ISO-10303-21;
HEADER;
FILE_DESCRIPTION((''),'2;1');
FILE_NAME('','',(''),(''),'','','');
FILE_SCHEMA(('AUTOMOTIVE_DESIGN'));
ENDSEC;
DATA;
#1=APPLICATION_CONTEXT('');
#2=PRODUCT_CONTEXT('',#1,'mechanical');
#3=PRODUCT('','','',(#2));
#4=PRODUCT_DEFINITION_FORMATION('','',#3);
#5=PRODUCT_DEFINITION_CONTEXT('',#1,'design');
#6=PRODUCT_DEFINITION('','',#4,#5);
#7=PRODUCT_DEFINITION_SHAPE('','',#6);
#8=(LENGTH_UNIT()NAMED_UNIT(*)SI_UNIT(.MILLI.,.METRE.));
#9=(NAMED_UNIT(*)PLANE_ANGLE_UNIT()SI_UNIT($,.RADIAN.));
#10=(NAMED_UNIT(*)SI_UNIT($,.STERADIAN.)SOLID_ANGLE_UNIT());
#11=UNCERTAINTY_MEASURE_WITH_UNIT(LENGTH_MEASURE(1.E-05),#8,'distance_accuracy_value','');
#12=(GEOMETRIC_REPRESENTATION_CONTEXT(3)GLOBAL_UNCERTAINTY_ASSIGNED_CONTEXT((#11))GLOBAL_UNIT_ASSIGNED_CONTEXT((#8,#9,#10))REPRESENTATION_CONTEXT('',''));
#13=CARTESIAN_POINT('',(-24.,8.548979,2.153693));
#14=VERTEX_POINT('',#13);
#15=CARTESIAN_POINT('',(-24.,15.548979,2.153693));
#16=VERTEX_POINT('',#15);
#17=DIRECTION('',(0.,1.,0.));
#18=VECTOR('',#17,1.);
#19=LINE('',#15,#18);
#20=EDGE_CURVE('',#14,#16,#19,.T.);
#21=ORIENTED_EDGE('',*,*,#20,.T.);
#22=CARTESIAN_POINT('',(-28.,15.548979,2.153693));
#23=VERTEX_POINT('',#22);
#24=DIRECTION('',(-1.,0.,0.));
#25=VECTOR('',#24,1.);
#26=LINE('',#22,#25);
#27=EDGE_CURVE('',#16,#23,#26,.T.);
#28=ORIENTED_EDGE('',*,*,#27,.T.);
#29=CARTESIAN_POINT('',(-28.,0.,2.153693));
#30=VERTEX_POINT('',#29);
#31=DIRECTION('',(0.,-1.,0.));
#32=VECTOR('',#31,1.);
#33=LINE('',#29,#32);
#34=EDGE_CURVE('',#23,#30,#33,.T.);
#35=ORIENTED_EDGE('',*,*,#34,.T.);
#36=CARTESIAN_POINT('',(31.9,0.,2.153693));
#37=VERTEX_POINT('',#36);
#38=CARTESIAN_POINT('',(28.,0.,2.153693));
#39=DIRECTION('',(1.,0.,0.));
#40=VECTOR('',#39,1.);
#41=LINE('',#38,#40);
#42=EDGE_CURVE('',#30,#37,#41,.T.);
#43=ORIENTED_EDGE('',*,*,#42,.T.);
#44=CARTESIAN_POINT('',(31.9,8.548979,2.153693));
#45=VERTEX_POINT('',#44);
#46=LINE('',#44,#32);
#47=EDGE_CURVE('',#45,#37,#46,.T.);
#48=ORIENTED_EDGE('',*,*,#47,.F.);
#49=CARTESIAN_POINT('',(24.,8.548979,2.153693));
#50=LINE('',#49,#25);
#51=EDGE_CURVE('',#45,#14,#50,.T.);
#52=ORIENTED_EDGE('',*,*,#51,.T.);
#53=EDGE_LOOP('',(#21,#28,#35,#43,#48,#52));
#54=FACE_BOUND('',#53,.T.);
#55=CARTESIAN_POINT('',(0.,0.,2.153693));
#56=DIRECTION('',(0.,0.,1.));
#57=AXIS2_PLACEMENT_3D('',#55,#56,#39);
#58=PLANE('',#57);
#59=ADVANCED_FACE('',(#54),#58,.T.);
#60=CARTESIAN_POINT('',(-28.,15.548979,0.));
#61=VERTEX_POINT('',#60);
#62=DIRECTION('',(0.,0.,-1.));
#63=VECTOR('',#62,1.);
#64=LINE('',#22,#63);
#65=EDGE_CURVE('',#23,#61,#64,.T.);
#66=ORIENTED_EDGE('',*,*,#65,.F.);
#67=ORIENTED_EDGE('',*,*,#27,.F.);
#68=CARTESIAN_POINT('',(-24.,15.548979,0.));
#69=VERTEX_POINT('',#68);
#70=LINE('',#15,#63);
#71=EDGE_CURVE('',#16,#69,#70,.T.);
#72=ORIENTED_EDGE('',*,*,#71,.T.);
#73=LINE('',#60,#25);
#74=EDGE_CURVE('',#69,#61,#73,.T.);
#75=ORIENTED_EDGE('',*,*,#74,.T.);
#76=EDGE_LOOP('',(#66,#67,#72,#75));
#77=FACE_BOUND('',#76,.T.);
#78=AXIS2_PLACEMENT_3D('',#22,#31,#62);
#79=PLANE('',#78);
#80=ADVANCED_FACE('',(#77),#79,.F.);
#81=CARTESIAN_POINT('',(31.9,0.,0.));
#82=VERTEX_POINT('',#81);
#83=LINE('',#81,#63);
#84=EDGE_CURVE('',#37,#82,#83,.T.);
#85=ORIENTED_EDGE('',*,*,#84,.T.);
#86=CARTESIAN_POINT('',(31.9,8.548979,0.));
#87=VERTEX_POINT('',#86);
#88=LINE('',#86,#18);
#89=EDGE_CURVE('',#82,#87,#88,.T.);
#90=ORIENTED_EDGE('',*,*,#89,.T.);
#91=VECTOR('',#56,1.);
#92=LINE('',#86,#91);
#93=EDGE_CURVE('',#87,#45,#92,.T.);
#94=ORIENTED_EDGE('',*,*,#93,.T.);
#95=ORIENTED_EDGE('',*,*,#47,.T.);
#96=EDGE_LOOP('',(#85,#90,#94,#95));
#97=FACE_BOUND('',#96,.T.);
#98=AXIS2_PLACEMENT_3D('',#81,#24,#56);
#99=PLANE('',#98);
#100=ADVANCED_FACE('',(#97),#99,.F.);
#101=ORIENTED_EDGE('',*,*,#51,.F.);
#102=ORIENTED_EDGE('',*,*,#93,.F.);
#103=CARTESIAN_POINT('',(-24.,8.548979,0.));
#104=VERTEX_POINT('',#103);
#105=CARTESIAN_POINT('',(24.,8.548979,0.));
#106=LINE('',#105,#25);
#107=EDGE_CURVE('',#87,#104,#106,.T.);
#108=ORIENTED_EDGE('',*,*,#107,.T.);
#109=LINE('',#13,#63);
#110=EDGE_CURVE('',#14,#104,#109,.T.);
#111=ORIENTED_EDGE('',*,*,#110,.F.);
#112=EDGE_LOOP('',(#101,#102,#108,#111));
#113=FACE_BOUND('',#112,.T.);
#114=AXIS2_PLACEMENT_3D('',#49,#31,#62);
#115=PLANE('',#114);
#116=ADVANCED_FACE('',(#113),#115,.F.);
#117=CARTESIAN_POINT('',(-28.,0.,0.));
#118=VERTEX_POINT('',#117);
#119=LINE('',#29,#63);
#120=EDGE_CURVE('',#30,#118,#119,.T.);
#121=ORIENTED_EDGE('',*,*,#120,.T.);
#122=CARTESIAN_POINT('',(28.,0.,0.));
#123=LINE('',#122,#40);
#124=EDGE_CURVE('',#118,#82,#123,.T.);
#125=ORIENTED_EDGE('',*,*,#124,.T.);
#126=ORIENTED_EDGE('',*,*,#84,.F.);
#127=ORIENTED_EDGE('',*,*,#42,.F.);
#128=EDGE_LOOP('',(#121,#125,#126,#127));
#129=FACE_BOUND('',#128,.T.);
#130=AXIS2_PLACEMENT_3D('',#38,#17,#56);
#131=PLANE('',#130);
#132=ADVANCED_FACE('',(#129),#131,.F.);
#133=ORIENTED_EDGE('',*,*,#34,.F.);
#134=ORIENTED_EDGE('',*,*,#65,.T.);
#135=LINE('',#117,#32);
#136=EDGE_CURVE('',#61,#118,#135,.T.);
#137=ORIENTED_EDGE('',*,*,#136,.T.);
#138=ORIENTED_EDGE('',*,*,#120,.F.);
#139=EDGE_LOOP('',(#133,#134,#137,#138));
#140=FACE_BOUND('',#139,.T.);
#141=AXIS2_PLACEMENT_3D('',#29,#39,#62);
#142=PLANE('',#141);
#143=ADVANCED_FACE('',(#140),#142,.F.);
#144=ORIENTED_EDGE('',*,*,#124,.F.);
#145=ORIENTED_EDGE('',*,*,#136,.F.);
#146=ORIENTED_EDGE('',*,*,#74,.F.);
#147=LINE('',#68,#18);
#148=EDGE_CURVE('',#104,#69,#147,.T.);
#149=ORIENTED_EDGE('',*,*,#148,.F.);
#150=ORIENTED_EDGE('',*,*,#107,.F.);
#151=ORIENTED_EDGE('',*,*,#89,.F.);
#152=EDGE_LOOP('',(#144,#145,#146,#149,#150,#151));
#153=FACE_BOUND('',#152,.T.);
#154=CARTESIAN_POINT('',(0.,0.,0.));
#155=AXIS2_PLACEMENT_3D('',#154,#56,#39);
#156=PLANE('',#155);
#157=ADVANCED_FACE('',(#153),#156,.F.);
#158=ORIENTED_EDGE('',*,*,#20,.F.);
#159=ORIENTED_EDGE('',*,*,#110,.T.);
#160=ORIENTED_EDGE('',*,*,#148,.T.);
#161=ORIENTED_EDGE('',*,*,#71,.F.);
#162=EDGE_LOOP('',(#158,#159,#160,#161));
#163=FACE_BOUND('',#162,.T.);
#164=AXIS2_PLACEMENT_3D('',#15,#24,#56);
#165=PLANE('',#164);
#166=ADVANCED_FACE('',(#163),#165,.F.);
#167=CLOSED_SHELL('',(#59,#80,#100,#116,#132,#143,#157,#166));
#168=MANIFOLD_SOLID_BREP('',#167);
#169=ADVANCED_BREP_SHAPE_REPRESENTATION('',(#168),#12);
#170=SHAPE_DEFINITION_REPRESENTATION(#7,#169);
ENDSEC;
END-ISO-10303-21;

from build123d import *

# Parameters (mm, degrees)
BOSS_EXTRUDE1_DEPTH = 2.1536931
CUT_EXTRUDE1_REACH  = 56.318
SKETCH3_W           = 2.1536931
SKETCH3_H           = 7
SKETCH4_W           = 2.1536931
SKETCH4_H           = 8.5489795
BOSS_EXTRUDE2_DEPTH = 3.9


with BuildPart() as part:
    # Sketch1 → Boss-Extrude1 (new body)
    with BuildSketch(Plane.XY):
        Polygon((28, 0), (-28, 0), (-28, 15.5489795), (-24, 15.5489795), (-24, 8.5489795), (24, 8.5489795), (24, 15.5489795), (28, 15.5489795), align=None)
    extrude(amount=BOSS_EXTRUDE1_DEPTH)

    # Sketch3 → Cut-Extrude1 (cut, up to next)
    with BuildSketch(Plane.ZY.offset(-24), mode=Mode.PRIVATE) as cut_extrude1_sk1:
        with Locations((1.07684655, 12.0489795)):
            Rectangle(SKETCH3_W, SKETCH3_H)
    cut_extrude1_tool1 = extrude(cut_extrude1_sk1.sketch, amount=-CUT_EXTRUDE1_REACH, mode=Mode.PRIVATE) & part.part
    add(cut_extrude1_tool1.solids().sort_by_distance((24, 12.048979, 1.076847))[0], mode=Mode.SUBTRACT)

    # Sketch4 → Boss-Extrude2 (add)
    with BuildSketch(Plane(origin=(28, 0, 0), x_dir=(0, 0, -1), z_dir=(1, 0, 0))):
        with Locations((-1.07684655, 4.27448975)):
            Rectangle(SKETCH4_W, SKETCH4_H)
    extrude(amount=BOSS_EXTRUDE2_DEPTH)


solid = part.part
